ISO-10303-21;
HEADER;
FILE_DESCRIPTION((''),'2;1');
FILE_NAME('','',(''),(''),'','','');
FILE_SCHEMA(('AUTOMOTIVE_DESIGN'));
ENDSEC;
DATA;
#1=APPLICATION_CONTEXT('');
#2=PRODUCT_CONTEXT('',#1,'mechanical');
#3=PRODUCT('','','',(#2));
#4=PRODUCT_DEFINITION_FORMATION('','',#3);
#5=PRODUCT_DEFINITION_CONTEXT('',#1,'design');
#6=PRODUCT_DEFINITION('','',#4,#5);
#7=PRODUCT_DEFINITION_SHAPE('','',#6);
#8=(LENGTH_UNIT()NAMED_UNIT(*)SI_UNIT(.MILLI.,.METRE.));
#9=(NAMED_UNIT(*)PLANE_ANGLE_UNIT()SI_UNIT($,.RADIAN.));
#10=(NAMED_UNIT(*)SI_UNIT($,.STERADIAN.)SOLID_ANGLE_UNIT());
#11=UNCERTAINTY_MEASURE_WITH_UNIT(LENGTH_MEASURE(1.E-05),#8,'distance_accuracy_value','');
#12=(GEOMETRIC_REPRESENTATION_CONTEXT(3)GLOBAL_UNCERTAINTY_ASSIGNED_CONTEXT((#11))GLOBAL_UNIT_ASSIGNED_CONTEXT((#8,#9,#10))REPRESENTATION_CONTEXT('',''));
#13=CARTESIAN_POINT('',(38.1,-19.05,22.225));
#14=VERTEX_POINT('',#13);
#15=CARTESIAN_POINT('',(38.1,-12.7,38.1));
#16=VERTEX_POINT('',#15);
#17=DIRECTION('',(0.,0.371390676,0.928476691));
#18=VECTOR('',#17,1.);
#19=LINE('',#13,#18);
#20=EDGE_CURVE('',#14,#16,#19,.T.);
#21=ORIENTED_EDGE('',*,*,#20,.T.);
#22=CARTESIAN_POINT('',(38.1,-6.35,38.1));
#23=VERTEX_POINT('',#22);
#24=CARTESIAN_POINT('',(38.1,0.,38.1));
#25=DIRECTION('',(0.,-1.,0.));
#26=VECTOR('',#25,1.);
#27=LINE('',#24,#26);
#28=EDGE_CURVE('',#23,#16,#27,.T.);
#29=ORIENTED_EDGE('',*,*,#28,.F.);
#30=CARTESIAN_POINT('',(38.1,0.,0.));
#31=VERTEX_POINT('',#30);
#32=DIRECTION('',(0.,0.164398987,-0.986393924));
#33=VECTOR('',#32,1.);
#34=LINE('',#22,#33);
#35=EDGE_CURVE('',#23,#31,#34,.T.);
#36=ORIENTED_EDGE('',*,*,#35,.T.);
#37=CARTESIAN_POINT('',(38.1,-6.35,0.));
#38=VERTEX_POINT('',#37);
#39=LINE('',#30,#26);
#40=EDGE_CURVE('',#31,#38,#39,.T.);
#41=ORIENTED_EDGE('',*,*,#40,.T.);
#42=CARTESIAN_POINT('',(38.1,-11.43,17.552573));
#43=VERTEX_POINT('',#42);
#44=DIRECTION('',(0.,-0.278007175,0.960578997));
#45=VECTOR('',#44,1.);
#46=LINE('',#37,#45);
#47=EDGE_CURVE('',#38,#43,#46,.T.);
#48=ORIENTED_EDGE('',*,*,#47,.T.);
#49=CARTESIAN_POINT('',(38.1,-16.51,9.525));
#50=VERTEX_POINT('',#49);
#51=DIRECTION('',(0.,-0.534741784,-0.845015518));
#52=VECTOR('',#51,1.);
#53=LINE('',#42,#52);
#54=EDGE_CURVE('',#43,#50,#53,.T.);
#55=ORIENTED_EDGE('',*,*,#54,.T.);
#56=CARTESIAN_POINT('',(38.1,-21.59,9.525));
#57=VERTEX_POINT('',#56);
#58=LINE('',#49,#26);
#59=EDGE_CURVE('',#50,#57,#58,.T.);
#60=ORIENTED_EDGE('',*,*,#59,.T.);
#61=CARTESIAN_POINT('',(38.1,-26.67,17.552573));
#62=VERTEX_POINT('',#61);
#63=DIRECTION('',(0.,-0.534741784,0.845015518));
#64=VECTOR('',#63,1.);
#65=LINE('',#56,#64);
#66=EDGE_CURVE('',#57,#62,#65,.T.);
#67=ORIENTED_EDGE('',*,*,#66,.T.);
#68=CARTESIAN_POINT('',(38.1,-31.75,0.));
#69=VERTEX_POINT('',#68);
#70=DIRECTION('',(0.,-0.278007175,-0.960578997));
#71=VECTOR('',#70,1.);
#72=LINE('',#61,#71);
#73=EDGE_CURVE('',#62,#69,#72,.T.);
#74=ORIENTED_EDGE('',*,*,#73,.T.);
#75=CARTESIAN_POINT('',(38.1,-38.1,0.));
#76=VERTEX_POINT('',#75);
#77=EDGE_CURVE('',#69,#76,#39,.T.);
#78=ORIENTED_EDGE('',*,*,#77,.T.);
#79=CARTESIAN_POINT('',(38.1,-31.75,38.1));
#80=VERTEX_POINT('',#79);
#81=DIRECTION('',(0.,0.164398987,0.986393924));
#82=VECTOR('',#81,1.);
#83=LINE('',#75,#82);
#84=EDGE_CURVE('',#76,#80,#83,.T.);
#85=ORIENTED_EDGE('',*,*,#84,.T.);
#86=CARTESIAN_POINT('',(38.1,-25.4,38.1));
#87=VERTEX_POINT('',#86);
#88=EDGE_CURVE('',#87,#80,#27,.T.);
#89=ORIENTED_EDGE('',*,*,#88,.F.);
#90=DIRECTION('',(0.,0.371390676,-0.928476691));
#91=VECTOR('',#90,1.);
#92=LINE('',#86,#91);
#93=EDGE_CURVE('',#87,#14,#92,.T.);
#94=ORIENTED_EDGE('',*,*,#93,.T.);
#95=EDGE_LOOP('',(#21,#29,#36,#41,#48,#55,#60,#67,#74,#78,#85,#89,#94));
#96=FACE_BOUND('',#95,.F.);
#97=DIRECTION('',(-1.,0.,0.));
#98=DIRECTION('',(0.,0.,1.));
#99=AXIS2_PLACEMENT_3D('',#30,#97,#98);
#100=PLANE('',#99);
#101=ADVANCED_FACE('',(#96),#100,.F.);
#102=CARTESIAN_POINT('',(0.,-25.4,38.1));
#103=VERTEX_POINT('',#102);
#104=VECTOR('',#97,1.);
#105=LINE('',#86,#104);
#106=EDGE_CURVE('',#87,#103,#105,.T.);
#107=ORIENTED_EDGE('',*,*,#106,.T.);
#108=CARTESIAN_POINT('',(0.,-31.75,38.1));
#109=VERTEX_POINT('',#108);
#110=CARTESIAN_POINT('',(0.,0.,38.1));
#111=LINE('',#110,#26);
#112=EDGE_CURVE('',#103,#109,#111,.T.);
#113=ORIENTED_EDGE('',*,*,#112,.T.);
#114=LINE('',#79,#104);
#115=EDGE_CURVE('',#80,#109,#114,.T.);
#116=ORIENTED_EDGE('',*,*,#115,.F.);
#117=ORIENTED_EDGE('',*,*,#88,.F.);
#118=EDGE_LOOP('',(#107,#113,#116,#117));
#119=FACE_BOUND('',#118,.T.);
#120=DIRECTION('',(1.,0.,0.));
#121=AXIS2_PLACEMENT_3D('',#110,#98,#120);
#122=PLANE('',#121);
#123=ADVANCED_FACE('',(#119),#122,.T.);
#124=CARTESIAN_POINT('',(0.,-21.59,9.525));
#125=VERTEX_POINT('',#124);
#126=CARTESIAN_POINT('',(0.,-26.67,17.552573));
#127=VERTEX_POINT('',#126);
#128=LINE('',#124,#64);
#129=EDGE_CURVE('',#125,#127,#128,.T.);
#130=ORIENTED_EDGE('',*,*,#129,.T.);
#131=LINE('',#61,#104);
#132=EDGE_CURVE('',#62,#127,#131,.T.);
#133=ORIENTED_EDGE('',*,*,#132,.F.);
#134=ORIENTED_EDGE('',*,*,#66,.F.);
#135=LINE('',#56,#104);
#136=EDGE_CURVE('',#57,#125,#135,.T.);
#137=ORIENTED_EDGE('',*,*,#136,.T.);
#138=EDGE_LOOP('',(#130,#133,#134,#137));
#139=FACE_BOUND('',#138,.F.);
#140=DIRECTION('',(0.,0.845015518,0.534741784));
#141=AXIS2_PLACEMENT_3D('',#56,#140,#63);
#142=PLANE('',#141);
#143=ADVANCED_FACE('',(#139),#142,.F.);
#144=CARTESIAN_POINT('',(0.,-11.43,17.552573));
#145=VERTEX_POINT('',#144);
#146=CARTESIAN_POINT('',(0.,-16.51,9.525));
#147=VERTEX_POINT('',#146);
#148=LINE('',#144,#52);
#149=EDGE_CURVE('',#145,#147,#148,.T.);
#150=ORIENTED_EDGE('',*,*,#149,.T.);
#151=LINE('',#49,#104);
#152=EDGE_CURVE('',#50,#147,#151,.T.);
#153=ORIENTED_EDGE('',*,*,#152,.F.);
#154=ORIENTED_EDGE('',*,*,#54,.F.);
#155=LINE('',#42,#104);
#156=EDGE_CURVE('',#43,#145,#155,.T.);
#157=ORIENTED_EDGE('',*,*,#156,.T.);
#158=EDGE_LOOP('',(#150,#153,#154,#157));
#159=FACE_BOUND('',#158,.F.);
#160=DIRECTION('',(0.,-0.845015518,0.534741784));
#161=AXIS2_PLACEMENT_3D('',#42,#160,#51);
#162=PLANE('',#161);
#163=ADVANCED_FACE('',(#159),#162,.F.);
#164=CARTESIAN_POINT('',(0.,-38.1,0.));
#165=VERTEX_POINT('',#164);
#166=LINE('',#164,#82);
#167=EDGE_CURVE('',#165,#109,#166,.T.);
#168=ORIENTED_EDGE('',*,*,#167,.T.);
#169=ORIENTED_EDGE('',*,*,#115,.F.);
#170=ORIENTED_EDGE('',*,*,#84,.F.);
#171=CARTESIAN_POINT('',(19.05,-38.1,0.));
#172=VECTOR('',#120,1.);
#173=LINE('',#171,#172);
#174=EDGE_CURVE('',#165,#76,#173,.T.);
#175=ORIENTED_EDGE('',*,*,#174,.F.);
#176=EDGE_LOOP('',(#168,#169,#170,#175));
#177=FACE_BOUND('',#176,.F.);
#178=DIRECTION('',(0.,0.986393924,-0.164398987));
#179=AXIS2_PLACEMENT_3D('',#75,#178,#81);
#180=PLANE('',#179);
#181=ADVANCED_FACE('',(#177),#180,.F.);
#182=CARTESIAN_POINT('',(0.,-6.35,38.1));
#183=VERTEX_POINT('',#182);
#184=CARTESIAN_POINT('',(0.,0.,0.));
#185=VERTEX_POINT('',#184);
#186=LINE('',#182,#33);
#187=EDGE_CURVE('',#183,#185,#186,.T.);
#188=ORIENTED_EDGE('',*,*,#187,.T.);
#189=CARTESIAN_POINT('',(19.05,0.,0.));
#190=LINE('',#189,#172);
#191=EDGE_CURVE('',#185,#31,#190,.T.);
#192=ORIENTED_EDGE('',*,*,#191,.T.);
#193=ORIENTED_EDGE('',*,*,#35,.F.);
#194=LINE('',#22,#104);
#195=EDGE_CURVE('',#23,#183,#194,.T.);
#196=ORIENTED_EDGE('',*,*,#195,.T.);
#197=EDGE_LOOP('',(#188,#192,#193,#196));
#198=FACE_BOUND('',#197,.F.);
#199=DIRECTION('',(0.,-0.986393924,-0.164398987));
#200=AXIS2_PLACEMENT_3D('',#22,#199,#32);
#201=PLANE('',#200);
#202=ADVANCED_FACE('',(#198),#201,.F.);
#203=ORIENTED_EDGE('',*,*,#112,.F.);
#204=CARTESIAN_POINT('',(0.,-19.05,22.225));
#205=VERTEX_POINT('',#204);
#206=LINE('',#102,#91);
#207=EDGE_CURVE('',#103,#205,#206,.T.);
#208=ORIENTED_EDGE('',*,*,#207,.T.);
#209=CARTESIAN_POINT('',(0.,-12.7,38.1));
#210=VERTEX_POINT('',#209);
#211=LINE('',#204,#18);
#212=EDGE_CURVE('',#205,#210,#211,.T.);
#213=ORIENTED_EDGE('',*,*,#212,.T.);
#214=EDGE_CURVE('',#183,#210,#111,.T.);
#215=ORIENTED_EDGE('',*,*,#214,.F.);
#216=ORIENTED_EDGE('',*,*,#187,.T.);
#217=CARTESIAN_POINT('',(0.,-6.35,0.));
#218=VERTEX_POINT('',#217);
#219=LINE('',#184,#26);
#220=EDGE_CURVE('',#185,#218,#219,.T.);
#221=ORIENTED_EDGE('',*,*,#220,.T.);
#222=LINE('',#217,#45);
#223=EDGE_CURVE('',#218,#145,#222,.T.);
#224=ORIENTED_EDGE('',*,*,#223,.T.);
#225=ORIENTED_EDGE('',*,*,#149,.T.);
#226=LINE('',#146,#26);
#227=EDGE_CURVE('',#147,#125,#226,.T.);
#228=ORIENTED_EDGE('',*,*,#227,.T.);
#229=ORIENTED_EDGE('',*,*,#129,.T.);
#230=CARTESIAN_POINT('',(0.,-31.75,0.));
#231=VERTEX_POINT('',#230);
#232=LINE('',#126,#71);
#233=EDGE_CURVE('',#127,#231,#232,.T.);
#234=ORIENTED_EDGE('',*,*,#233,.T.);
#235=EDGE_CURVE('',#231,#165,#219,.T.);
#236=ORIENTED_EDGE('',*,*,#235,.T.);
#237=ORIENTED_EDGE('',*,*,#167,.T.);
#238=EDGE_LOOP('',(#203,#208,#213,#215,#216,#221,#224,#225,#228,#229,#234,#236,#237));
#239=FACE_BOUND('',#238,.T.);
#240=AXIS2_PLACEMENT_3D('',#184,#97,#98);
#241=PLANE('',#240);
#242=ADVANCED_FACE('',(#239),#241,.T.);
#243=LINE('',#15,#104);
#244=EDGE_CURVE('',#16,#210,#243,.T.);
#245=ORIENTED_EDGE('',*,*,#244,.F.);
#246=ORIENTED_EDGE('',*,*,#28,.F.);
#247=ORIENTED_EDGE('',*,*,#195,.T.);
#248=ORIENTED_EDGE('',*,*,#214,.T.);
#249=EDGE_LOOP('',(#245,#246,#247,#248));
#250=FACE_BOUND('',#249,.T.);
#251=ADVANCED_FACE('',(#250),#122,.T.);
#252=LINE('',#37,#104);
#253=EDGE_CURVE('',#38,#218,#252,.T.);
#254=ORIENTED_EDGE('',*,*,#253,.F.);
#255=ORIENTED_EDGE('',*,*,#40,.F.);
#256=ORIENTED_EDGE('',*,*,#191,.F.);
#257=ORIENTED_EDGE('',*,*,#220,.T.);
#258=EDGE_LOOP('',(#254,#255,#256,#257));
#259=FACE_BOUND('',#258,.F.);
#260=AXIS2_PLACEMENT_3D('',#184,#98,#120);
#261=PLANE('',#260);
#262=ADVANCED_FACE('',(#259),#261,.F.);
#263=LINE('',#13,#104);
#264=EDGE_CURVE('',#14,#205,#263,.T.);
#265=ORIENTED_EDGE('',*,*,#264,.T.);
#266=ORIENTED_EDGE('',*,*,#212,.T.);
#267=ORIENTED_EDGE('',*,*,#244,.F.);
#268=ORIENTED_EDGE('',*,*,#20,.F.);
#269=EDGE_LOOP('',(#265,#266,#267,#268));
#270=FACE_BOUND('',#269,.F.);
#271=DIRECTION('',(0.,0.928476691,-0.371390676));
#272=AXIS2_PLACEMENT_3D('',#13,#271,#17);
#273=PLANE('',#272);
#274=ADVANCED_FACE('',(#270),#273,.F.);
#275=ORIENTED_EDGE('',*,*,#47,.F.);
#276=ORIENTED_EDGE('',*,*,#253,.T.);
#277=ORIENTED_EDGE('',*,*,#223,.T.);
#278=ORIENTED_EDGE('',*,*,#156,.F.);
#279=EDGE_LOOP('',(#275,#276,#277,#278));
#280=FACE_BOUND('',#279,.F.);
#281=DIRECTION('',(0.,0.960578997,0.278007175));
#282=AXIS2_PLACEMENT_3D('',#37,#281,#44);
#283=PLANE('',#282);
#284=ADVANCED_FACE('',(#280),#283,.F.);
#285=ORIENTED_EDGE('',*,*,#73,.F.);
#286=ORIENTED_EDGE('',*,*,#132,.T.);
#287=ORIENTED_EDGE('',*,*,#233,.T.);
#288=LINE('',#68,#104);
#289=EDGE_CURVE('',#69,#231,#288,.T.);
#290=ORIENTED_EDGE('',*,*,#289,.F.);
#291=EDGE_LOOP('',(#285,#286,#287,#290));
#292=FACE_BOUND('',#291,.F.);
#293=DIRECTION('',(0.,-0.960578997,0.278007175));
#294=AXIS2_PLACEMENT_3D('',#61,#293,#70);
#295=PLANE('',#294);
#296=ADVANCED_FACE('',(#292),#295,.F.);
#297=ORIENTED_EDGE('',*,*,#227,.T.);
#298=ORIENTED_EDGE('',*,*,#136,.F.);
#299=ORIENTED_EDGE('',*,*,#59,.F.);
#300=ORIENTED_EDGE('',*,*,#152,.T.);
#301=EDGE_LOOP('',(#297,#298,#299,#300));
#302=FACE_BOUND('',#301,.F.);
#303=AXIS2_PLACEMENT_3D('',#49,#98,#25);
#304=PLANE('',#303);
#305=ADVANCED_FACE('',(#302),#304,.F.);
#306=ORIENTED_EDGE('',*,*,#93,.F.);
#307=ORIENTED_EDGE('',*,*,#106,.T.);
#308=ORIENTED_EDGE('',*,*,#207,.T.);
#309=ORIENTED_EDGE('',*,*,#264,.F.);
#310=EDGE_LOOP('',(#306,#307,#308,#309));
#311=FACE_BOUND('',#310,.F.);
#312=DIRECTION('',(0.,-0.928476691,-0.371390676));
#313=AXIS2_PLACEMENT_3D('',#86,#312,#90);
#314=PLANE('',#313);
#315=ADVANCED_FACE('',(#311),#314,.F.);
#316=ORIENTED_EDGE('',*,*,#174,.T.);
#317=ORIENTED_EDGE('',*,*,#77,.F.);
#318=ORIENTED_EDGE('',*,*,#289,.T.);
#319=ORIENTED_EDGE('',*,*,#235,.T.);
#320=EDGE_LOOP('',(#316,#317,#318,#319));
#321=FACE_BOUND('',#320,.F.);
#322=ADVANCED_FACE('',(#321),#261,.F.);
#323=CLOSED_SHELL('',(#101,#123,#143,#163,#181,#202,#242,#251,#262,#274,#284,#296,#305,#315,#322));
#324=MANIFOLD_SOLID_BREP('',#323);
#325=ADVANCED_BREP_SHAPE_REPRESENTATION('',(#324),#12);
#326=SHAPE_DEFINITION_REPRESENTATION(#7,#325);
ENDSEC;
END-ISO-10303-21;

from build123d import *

# Parameters (mm, degrees)
F0_W     = 38.1
F0_H     = 38.1
F1_DEPTH = 38.1
F6_DEPTH = 38.1


with BuildPart() as f1:
    # F0 (on Front) → F1 (new body)
    with BuildSketch(Plane.XZ):
        with Locations((19.05, 19.05)):
            Rectangle(F0_W, F0_H)
    extrude(amount=F1_DEPTH)

    # F5 (on face) → F6 (cut)
    with BuildSketch(Plane.YZ.offset(38.1)):
        Polygon((-31.75, 38.1), (-38.1, 38.1), (-38.1, 0), align=None)
        Polygon((-12.7, 38.1), (-25.4, 38.1), (-19.05, 22.225), align=None)
        Polygon((-6.35, 38.1), (0, 0), (0, 38.1), align=None)
        Polygon((-26.67, 17.5525732338), (-31.75, 0), (-6.35, 0), (-11.43, 17.5525732338), (-16.51, 9.525), (-21.59, 9.525), align=None)
    extrude(amount=-F6_DEPTH, mode=Mode.SUBTRACT)


solid = f1.part
